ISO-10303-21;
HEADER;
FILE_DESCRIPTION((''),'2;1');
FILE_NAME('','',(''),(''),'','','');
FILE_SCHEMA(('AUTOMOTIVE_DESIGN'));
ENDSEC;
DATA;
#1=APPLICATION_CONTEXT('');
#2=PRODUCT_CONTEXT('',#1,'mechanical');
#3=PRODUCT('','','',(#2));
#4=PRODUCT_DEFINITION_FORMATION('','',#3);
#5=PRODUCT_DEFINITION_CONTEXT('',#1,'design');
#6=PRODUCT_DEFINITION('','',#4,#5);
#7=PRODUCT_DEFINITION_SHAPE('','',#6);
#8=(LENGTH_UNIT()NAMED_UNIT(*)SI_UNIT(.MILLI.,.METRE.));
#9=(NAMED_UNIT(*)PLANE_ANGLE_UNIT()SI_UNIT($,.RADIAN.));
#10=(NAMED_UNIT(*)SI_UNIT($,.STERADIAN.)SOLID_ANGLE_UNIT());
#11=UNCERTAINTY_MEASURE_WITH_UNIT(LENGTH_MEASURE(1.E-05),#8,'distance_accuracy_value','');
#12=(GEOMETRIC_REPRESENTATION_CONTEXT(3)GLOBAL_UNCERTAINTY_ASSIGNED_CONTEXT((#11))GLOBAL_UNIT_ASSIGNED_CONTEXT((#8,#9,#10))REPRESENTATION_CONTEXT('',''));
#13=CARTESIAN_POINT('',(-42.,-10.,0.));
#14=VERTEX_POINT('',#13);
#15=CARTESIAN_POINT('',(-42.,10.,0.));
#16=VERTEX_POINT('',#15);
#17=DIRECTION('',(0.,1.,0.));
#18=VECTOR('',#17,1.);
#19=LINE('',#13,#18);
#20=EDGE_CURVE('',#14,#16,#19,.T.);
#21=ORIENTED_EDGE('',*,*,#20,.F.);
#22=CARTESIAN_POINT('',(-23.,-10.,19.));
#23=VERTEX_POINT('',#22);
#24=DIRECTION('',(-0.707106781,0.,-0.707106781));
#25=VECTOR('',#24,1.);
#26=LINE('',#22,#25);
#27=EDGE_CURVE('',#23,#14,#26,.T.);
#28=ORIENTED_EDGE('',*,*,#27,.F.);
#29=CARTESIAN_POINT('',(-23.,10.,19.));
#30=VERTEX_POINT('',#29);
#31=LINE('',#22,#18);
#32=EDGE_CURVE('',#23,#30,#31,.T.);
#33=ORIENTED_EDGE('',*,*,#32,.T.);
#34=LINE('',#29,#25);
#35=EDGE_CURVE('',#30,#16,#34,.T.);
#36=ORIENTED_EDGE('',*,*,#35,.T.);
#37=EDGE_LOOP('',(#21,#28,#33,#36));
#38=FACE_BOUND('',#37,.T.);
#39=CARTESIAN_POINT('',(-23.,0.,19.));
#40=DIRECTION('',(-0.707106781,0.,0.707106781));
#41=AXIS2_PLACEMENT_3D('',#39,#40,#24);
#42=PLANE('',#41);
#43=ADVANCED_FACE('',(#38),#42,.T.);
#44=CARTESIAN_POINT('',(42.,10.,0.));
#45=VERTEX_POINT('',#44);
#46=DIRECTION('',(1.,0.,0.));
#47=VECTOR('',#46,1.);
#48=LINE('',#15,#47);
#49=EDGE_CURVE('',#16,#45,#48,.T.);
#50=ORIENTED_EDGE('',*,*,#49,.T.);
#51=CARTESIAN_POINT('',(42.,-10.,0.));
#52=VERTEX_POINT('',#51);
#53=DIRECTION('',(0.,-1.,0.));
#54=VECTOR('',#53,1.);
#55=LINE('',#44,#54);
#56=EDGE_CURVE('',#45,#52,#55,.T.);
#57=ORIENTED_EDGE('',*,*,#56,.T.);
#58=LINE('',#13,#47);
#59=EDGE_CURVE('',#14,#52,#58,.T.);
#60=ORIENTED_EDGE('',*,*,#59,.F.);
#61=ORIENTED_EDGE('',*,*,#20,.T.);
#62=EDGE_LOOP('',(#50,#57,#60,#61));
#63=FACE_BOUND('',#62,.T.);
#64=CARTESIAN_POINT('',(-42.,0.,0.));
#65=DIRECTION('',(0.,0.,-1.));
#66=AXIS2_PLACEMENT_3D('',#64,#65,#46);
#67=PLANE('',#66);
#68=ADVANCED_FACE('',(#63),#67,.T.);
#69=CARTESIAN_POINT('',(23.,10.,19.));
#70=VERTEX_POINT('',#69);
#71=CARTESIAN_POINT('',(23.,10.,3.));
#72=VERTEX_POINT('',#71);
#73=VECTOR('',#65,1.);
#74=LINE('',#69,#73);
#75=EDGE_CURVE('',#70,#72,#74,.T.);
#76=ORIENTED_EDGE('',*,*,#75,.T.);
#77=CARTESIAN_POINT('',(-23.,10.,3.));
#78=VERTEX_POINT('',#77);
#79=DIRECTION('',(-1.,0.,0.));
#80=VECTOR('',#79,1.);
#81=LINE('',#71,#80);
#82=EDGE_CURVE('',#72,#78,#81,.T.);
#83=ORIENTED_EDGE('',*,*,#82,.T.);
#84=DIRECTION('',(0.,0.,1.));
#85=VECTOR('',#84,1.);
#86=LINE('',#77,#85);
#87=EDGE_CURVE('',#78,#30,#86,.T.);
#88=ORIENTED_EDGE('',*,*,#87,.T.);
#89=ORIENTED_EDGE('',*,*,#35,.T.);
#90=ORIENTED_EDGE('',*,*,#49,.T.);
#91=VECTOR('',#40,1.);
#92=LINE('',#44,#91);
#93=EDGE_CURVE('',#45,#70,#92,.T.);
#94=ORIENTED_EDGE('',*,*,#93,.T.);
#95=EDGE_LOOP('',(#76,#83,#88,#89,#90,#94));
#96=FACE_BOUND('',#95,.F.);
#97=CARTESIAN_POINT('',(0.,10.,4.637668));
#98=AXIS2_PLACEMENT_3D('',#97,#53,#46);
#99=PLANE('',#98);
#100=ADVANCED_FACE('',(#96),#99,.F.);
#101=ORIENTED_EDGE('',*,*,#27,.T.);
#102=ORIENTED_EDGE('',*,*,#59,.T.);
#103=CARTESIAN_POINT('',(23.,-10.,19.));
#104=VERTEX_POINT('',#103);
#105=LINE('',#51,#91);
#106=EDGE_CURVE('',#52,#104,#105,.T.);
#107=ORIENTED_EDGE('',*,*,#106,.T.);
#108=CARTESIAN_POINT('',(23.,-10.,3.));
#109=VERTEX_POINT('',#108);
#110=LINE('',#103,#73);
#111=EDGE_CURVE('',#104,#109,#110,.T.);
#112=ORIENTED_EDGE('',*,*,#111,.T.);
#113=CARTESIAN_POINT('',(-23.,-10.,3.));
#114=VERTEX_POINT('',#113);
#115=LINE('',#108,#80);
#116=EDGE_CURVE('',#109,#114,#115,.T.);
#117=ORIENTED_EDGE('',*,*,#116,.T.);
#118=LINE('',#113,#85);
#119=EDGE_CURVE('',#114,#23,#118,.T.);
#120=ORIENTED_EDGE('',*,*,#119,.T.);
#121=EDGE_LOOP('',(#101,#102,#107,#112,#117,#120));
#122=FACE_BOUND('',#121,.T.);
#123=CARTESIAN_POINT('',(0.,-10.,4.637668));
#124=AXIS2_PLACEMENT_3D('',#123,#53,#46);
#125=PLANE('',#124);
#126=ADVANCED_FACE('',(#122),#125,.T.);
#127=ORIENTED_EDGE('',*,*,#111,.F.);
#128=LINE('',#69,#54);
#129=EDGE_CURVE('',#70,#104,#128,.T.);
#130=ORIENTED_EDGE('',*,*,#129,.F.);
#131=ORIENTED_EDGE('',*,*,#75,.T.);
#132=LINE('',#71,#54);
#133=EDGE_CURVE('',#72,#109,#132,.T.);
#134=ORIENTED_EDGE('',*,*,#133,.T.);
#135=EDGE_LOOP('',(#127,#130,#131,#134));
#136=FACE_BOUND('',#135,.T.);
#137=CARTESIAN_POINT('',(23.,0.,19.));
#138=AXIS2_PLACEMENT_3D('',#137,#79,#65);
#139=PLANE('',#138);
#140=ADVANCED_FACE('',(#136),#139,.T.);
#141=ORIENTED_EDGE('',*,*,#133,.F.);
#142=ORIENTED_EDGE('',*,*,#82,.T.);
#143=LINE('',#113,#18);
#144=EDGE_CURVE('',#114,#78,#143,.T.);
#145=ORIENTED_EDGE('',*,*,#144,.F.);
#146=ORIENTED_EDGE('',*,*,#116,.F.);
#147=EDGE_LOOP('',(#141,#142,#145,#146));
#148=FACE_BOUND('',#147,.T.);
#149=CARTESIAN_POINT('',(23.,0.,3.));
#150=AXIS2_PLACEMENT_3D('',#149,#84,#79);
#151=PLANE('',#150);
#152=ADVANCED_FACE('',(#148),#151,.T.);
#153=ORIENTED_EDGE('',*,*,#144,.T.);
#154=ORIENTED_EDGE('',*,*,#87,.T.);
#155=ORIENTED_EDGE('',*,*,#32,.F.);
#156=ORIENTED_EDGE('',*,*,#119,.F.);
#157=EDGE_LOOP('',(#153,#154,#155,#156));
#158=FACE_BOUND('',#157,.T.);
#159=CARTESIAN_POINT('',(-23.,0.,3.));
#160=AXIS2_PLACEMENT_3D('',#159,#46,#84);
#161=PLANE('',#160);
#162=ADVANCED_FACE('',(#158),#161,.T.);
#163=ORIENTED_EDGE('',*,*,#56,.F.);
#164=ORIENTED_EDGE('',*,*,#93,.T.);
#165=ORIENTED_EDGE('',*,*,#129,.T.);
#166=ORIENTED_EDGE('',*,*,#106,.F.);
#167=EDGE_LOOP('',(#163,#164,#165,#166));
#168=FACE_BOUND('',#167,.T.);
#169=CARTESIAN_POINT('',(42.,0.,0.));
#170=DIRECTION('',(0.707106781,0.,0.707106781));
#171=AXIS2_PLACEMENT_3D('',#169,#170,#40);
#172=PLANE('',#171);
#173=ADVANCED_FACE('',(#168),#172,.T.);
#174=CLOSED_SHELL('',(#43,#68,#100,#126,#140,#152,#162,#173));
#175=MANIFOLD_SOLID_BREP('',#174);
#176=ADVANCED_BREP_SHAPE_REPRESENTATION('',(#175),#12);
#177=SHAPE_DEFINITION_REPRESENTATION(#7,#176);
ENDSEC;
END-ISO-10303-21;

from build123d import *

# Parameters (mm, degrees)
PAD_DEPTH = 10


with BuildPart() as part:
    # Sketch → Pad (new body, symmetric)
    with BuildSketch(Plane.XZ):
        Polygon((-42, 0), (42, 0), (23, 19), (23, 3), (-23, 3), (-23, 19), align=None)
    extrude(amount=PAD_DEPTH, both=True)


solid = part.part
